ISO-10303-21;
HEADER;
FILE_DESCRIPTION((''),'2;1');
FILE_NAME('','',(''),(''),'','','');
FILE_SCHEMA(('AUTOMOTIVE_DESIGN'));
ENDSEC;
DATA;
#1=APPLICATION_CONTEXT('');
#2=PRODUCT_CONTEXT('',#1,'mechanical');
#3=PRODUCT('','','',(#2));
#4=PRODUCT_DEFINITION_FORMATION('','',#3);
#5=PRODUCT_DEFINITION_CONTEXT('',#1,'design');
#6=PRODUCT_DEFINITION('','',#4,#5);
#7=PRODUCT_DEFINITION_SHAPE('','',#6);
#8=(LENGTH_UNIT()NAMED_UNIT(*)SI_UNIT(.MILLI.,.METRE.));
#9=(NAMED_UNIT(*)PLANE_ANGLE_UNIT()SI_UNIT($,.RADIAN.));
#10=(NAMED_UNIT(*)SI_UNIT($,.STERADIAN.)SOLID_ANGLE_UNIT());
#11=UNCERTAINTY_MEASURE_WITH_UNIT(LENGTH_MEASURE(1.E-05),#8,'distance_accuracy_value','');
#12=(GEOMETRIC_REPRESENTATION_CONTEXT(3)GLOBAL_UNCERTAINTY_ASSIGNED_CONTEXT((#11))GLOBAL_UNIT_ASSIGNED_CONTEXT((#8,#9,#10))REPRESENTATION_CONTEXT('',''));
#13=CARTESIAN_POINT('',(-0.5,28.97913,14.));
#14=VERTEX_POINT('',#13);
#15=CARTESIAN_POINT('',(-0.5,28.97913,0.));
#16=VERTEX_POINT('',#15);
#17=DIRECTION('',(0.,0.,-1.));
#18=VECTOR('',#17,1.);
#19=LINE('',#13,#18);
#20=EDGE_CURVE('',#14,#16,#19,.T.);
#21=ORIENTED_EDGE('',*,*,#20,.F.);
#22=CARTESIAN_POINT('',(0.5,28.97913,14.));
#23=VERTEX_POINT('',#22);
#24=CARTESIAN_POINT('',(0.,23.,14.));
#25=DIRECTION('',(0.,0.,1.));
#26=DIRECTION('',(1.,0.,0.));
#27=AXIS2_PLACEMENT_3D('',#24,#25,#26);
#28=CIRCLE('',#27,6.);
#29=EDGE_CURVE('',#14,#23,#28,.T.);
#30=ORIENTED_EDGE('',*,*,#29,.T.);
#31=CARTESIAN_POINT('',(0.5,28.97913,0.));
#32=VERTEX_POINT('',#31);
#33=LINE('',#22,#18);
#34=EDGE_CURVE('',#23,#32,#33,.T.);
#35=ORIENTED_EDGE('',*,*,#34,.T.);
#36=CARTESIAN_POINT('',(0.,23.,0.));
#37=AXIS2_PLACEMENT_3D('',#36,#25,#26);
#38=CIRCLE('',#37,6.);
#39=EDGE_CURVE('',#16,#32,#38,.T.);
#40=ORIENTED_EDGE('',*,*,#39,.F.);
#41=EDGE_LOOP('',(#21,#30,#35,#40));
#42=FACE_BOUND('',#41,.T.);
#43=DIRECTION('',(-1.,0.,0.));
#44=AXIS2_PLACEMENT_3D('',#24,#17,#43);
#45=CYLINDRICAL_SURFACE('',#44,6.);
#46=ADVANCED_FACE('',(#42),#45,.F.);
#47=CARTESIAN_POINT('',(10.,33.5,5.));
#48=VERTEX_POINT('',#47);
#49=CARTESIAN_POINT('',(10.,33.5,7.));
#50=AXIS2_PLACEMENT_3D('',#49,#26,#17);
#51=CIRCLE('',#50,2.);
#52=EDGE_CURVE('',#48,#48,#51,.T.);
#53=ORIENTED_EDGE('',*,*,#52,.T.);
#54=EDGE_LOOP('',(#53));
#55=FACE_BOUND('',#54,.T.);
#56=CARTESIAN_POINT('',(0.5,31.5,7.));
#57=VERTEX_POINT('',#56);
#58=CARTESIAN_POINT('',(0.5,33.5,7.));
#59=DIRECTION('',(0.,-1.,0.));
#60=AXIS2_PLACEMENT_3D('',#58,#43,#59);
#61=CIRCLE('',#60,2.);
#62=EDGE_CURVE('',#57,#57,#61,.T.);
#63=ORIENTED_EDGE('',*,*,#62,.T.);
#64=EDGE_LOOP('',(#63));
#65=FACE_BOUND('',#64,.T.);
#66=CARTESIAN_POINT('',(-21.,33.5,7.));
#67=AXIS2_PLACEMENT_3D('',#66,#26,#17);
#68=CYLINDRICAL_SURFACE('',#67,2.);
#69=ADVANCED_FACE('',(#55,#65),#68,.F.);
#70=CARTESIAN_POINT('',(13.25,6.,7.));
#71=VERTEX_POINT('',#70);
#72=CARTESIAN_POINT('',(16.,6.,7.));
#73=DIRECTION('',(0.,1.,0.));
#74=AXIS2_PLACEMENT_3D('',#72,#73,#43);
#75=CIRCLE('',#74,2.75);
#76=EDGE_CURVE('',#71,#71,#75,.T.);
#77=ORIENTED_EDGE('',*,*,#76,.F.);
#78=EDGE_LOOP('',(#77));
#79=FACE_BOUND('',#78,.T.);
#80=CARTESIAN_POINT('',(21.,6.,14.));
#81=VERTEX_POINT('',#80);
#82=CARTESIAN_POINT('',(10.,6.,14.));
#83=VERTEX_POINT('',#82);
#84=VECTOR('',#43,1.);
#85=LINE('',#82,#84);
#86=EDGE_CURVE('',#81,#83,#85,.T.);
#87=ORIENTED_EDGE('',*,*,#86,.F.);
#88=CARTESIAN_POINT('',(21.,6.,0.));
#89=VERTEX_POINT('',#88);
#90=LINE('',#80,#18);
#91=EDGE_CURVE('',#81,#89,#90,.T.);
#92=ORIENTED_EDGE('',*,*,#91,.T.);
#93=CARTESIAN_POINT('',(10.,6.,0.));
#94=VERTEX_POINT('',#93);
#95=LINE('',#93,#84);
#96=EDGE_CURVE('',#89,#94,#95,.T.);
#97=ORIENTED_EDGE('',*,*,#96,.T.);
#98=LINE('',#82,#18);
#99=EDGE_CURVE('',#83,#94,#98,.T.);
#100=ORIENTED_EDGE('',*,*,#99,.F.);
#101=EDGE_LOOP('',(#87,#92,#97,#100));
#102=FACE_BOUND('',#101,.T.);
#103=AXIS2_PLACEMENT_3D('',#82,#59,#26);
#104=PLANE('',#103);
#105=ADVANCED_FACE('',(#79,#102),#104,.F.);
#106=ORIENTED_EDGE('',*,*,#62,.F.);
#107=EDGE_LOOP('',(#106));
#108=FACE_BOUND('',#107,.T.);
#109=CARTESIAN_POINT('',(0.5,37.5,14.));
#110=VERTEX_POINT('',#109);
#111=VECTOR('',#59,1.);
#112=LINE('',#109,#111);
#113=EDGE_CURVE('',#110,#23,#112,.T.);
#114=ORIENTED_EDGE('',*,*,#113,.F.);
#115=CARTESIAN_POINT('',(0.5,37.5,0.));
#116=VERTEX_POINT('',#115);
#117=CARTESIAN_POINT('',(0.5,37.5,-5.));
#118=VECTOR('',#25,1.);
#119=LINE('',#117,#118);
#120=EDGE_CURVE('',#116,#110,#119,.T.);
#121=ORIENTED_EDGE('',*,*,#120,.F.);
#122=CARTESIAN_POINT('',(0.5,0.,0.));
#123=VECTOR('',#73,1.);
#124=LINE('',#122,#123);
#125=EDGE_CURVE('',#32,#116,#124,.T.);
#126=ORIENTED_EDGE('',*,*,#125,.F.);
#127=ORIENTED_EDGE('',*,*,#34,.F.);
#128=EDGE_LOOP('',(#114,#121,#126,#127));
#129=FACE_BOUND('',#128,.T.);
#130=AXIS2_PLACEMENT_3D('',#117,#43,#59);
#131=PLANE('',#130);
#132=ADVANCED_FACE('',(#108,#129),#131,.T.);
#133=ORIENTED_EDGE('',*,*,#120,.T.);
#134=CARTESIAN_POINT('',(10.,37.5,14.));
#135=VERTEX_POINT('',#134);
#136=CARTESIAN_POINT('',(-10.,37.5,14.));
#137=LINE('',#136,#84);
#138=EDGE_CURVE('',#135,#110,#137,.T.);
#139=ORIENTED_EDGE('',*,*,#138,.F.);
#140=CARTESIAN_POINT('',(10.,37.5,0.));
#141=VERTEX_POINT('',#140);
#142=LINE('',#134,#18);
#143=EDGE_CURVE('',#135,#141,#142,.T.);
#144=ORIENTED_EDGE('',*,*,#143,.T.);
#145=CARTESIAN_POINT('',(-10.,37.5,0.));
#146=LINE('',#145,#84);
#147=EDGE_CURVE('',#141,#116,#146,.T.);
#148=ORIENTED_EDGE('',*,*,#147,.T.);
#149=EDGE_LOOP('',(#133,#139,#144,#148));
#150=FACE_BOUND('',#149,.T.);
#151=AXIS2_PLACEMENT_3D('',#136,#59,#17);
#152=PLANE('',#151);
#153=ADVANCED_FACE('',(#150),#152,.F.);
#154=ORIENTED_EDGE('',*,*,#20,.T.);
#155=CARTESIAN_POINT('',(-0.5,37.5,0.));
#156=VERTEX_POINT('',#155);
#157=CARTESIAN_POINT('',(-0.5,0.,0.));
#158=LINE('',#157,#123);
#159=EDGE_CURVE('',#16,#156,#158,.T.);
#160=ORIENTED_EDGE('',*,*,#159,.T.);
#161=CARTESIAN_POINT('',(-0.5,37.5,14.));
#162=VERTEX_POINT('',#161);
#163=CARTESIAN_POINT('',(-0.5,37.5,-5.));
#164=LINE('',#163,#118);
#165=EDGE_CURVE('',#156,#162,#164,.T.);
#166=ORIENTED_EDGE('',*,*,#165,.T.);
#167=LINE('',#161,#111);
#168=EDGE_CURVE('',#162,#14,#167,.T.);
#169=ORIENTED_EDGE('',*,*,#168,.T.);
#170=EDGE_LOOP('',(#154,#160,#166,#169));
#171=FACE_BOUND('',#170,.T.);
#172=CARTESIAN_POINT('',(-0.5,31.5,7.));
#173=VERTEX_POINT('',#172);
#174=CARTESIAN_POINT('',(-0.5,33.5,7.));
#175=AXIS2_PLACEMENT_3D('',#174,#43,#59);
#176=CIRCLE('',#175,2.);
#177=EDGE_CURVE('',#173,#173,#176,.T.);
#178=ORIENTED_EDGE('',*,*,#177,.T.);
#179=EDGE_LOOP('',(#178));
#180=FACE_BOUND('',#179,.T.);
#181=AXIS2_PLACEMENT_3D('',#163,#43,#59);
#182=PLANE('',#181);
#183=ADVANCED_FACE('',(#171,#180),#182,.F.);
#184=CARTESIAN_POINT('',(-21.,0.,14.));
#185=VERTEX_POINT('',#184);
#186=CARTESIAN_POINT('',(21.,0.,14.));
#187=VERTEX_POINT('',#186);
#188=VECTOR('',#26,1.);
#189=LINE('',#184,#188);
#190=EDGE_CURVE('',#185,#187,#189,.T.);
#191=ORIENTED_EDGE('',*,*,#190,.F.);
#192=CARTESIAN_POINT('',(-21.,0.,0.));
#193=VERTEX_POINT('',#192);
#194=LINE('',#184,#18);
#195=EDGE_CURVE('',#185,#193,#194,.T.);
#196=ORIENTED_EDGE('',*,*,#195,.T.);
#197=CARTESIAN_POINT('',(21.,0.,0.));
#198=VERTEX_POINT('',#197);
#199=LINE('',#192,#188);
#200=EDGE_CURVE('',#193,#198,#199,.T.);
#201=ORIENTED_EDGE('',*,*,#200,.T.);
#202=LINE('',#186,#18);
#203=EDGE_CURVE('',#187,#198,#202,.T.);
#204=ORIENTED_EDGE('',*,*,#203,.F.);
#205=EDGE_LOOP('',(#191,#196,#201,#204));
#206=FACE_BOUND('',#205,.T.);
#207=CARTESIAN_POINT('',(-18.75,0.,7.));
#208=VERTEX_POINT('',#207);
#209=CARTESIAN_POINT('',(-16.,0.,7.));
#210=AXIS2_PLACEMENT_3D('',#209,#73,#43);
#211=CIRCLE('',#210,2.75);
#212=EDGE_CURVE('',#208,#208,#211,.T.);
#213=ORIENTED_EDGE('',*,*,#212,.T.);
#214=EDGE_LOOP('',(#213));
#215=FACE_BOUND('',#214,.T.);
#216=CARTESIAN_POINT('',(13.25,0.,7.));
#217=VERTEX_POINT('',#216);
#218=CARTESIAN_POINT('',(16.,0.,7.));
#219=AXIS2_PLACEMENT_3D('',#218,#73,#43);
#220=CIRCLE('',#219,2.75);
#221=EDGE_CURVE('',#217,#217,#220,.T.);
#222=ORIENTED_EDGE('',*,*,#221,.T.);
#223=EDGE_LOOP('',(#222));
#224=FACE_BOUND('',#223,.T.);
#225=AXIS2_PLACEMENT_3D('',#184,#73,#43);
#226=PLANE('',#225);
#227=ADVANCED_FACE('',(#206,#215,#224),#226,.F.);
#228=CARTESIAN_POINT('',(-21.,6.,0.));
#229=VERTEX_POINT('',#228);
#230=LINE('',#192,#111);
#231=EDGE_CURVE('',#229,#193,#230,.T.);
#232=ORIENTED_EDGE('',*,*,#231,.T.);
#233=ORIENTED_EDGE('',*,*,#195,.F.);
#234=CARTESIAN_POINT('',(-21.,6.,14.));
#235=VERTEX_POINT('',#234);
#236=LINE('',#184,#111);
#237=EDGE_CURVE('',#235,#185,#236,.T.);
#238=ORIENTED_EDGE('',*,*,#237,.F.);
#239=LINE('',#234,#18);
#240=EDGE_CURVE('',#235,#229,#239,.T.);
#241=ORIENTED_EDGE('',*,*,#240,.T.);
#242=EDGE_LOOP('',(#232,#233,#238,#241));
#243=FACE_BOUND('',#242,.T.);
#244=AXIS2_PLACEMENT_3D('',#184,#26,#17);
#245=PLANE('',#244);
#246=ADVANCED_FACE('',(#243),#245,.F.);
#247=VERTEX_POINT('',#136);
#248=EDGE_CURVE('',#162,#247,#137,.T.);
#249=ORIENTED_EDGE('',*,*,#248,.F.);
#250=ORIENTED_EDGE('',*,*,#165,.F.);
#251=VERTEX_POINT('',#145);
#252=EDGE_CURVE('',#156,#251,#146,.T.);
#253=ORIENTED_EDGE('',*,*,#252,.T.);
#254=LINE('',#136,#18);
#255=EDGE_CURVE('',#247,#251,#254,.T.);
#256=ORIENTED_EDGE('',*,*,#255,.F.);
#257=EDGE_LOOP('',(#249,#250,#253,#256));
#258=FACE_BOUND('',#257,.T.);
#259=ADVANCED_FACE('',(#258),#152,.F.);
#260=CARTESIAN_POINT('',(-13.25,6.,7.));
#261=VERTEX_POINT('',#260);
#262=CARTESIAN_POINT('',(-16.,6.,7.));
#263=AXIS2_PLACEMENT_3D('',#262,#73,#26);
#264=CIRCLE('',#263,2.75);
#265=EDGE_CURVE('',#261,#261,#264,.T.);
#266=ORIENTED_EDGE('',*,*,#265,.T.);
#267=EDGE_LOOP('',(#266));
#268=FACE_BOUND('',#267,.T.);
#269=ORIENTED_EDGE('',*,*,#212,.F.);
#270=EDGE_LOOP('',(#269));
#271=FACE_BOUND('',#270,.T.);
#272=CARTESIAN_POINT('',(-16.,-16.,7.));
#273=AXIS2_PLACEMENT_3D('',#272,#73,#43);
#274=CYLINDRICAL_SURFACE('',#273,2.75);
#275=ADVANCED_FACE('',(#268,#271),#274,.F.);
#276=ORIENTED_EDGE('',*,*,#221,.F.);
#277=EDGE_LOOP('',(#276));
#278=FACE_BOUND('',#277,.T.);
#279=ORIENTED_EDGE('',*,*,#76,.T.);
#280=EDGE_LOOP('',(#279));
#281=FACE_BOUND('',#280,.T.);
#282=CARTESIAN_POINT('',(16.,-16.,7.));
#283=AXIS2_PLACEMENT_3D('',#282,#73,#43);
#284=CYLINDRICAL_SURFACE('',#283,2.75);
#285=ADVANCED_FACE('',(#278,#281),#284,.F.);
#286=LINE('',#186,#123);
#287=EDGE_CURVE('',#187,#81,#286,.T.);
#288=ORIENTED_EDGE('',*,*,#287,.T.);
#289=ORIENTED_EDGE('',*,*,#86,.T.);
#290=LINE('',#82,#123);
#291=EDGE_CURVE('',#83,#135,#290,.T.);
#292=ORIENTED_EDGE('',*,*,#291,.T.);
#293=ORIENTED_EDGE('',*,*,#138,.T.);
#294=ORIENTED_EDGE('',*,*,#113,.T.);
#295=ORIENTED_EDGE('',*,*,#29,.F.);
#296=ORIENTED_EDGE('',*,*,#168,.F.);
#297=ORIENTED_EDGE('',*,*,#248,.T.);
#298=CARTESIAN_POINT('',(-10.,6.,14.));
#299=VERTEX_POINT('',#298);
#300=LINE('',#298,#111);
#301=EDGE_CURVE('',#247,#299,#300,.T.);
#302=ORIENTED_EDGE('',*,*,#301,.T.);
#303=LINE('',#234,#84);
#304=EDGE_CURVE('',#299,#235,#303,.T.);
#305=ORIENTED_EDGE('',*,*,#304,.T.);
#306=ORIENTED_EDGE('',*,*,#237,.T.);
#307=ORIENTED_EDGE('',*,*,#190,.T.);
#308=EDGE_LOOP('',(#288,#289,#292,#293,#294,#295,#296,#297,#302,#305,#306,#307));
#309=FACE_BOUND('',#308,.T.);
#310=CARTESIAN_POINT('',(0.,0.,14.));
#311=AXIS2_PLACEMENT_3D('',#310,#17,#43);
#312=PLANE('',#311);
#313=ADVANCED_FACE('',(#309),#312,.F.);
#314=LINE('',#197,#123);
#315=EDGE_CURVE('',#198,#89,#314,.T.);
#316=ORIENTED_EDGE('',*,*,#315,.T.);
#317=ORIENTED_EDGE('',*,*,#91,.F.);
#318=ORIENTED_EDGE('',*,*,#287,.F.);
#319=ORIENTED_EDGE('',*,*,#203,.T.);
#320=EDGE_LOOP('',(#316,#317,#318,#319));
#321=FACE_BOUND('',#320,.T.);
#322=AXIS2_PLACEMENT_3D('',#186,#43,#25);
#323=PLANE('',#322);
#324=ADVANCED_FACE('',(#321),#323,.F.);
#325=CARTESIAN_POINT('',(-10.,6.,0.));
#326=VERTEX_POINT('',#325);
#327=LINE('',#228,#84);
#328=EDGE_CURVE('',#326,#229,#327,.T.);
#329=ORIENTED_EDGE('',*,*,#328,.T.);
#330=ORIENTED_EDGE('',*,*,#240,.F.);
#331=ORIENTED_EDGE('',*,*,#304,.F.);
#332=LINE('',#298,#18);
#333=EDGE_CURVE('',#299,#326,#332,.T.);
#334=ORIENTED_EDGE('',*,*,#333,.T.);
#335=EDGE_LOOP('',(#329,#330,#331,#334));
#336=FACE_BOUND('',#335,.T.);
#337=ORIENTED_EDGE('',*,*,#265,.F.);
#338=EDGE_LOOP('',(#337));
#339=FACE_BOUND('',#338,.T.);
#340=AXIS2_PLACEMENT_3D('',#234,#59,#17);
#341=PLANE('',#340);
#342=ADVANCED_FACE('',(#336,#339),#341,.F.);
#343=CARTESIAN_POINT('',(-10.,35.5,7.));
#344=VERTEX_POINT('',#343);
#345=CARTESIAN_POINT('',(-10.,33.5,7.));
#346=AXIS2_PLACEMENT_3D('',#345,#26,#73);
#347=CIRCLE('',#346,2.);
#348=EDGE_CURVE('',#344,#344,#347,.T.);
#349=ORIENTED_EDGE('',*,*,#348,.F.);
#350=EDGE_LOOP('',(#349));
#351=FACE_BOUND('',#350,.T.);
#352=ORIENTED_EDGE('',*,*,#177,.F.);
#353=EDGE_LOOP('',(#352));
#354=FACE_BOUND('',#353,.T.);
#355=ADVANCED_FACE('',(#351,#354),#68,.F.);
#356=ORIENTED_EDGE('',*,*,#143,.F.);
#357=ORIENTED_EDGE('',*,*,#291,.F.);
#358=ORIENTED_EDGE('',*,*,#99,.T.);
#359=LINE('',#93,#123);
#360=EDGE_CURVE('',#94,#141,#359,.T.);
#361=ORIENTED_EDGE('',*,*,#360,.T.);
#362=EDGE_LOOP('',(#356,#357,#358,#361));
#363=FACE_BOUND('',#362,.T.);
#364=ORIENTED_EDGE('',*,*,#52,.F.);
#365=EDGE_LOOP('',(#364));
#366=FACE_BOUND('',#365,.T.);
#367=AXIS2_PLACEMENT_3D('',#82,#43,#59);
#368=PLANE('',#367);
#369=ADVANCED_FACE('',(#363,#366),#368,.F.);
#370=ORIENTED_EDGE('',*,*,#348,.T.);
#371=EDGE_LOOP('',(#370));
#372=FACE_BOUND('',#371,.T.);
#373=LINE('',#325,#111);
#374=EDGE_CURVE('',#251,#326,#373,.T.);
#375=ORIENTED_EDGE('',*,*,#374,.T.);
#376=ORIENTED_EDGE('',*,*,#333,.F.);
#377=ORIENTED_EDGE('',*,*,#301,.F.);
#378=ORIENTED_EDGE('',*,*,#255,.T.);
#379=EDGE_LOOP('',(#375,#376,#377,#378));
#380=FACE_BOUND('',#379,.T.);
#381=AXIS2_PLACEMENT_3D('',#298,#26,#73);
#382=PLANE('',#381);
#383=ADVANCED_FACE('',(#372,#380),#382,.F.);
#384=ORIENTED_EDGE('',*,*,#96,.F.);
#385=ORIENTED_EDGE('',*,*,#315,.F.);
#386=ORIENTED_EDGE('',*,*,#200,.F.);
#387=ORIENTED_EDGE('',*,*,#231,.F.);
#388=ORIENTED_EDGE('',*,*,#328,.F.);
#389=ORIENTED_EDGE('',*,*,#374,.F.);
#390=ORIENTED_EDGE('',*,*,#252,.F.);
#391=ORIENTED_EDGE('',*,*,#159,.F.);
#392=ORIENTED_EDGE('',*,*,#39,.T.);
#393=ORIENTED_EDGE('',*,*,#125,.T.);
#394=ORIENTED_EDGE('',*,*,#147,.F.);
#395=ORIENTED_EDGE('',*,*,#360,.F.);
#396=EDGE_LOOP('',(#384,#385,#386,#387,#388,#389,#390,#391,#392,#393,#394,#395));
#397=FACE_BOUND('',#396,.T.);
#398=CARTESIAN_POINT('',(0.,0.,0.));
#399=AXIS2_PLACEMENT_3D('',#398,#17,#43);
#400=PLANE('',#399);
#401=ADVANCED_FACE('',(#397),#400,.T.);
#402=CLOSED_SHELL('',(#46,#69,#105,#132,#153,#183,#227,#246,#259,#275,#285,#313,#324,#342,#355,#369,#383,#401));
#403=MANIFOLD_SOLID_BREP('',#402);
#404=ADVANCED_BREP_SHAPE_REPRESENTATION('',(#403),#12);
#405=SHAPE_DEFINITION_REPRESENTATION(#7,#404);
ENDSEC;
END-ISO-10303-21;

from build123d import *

# Parameters (mm, degrees)
SKETCH1_R           = 6
BOSS_EXTRUDE1_DEPTH = 14
SKETCH3_W           = 1
SKETCH3_H           = 16.490173319
CUT_EXTRUDE1_DEPTH  = 19
SKETCH2_R           = 2
CUT_EXTRUDE3_DEPTH  = 31
SKETCH5_R           = 2.75
CUT_EXTRUDE5_DEPTH  = 22


with BuildPart() as part:
    # Sketch1 → Boss-Extrude1 (new body)
    with BuildSketch(Plane.XY):
        Polygon((-21, 0), (21, 0), (21, 6), (10, 6), (10, 37.5), (-10, 37.5), (-10, 6), (-21, 6), align=None)
        with Locations((0, 23)):
            Circle(SKETCH1_R, mode=Mode.SUBTRACT)
    extrude(amount=BOSS_EXTRUDE1_DEPTH)

    # Sketch3 → Cut-Extrude1 (cut)
    with BuildSketch(Plane.XY.offset(14)):
        with Locations((0, 29.25491334)):
            Rectangle(SKETCH3_W, SKETCH3_H)
    extrude(amount=-CUT_EXTRUDE1_DEPTH, mode=Mode.SUBTRACT)

    # Sketch2 → Cut-Extrude3 (cut)
    with BuildSketch(Plane(origin=(10, 0, 0), x_dir=(0, 0, -1), z_dir=(1, 0, 0))):
        with Locations((-7, 33.5)):
            Circle(SKETCH2_R)
    extrude(amount=-CUT_EXTRUDE3_DEPTH, mode=Mode.SUBTRACT)

    # Sketch5 → Cut-Extrude5 (cut)
    with BuildSketch(Plane(origin=(0, 6, 0), x_dir=(1, 0, 0), z_dir=(0, 1, 0))):
        with Locations(Location((16, -7, 0), (0, 0, 180))):
            Circle(SKETCH5_R)
        with Locations(Location((-16, -7, 0), (0, 0, 180))):
            Circle(SKETCH5_R)
    extrude(amount=-CUT_EXTRUDE5_DEPTH, mode=Mode.SUBTRACT)


solid = part.part
